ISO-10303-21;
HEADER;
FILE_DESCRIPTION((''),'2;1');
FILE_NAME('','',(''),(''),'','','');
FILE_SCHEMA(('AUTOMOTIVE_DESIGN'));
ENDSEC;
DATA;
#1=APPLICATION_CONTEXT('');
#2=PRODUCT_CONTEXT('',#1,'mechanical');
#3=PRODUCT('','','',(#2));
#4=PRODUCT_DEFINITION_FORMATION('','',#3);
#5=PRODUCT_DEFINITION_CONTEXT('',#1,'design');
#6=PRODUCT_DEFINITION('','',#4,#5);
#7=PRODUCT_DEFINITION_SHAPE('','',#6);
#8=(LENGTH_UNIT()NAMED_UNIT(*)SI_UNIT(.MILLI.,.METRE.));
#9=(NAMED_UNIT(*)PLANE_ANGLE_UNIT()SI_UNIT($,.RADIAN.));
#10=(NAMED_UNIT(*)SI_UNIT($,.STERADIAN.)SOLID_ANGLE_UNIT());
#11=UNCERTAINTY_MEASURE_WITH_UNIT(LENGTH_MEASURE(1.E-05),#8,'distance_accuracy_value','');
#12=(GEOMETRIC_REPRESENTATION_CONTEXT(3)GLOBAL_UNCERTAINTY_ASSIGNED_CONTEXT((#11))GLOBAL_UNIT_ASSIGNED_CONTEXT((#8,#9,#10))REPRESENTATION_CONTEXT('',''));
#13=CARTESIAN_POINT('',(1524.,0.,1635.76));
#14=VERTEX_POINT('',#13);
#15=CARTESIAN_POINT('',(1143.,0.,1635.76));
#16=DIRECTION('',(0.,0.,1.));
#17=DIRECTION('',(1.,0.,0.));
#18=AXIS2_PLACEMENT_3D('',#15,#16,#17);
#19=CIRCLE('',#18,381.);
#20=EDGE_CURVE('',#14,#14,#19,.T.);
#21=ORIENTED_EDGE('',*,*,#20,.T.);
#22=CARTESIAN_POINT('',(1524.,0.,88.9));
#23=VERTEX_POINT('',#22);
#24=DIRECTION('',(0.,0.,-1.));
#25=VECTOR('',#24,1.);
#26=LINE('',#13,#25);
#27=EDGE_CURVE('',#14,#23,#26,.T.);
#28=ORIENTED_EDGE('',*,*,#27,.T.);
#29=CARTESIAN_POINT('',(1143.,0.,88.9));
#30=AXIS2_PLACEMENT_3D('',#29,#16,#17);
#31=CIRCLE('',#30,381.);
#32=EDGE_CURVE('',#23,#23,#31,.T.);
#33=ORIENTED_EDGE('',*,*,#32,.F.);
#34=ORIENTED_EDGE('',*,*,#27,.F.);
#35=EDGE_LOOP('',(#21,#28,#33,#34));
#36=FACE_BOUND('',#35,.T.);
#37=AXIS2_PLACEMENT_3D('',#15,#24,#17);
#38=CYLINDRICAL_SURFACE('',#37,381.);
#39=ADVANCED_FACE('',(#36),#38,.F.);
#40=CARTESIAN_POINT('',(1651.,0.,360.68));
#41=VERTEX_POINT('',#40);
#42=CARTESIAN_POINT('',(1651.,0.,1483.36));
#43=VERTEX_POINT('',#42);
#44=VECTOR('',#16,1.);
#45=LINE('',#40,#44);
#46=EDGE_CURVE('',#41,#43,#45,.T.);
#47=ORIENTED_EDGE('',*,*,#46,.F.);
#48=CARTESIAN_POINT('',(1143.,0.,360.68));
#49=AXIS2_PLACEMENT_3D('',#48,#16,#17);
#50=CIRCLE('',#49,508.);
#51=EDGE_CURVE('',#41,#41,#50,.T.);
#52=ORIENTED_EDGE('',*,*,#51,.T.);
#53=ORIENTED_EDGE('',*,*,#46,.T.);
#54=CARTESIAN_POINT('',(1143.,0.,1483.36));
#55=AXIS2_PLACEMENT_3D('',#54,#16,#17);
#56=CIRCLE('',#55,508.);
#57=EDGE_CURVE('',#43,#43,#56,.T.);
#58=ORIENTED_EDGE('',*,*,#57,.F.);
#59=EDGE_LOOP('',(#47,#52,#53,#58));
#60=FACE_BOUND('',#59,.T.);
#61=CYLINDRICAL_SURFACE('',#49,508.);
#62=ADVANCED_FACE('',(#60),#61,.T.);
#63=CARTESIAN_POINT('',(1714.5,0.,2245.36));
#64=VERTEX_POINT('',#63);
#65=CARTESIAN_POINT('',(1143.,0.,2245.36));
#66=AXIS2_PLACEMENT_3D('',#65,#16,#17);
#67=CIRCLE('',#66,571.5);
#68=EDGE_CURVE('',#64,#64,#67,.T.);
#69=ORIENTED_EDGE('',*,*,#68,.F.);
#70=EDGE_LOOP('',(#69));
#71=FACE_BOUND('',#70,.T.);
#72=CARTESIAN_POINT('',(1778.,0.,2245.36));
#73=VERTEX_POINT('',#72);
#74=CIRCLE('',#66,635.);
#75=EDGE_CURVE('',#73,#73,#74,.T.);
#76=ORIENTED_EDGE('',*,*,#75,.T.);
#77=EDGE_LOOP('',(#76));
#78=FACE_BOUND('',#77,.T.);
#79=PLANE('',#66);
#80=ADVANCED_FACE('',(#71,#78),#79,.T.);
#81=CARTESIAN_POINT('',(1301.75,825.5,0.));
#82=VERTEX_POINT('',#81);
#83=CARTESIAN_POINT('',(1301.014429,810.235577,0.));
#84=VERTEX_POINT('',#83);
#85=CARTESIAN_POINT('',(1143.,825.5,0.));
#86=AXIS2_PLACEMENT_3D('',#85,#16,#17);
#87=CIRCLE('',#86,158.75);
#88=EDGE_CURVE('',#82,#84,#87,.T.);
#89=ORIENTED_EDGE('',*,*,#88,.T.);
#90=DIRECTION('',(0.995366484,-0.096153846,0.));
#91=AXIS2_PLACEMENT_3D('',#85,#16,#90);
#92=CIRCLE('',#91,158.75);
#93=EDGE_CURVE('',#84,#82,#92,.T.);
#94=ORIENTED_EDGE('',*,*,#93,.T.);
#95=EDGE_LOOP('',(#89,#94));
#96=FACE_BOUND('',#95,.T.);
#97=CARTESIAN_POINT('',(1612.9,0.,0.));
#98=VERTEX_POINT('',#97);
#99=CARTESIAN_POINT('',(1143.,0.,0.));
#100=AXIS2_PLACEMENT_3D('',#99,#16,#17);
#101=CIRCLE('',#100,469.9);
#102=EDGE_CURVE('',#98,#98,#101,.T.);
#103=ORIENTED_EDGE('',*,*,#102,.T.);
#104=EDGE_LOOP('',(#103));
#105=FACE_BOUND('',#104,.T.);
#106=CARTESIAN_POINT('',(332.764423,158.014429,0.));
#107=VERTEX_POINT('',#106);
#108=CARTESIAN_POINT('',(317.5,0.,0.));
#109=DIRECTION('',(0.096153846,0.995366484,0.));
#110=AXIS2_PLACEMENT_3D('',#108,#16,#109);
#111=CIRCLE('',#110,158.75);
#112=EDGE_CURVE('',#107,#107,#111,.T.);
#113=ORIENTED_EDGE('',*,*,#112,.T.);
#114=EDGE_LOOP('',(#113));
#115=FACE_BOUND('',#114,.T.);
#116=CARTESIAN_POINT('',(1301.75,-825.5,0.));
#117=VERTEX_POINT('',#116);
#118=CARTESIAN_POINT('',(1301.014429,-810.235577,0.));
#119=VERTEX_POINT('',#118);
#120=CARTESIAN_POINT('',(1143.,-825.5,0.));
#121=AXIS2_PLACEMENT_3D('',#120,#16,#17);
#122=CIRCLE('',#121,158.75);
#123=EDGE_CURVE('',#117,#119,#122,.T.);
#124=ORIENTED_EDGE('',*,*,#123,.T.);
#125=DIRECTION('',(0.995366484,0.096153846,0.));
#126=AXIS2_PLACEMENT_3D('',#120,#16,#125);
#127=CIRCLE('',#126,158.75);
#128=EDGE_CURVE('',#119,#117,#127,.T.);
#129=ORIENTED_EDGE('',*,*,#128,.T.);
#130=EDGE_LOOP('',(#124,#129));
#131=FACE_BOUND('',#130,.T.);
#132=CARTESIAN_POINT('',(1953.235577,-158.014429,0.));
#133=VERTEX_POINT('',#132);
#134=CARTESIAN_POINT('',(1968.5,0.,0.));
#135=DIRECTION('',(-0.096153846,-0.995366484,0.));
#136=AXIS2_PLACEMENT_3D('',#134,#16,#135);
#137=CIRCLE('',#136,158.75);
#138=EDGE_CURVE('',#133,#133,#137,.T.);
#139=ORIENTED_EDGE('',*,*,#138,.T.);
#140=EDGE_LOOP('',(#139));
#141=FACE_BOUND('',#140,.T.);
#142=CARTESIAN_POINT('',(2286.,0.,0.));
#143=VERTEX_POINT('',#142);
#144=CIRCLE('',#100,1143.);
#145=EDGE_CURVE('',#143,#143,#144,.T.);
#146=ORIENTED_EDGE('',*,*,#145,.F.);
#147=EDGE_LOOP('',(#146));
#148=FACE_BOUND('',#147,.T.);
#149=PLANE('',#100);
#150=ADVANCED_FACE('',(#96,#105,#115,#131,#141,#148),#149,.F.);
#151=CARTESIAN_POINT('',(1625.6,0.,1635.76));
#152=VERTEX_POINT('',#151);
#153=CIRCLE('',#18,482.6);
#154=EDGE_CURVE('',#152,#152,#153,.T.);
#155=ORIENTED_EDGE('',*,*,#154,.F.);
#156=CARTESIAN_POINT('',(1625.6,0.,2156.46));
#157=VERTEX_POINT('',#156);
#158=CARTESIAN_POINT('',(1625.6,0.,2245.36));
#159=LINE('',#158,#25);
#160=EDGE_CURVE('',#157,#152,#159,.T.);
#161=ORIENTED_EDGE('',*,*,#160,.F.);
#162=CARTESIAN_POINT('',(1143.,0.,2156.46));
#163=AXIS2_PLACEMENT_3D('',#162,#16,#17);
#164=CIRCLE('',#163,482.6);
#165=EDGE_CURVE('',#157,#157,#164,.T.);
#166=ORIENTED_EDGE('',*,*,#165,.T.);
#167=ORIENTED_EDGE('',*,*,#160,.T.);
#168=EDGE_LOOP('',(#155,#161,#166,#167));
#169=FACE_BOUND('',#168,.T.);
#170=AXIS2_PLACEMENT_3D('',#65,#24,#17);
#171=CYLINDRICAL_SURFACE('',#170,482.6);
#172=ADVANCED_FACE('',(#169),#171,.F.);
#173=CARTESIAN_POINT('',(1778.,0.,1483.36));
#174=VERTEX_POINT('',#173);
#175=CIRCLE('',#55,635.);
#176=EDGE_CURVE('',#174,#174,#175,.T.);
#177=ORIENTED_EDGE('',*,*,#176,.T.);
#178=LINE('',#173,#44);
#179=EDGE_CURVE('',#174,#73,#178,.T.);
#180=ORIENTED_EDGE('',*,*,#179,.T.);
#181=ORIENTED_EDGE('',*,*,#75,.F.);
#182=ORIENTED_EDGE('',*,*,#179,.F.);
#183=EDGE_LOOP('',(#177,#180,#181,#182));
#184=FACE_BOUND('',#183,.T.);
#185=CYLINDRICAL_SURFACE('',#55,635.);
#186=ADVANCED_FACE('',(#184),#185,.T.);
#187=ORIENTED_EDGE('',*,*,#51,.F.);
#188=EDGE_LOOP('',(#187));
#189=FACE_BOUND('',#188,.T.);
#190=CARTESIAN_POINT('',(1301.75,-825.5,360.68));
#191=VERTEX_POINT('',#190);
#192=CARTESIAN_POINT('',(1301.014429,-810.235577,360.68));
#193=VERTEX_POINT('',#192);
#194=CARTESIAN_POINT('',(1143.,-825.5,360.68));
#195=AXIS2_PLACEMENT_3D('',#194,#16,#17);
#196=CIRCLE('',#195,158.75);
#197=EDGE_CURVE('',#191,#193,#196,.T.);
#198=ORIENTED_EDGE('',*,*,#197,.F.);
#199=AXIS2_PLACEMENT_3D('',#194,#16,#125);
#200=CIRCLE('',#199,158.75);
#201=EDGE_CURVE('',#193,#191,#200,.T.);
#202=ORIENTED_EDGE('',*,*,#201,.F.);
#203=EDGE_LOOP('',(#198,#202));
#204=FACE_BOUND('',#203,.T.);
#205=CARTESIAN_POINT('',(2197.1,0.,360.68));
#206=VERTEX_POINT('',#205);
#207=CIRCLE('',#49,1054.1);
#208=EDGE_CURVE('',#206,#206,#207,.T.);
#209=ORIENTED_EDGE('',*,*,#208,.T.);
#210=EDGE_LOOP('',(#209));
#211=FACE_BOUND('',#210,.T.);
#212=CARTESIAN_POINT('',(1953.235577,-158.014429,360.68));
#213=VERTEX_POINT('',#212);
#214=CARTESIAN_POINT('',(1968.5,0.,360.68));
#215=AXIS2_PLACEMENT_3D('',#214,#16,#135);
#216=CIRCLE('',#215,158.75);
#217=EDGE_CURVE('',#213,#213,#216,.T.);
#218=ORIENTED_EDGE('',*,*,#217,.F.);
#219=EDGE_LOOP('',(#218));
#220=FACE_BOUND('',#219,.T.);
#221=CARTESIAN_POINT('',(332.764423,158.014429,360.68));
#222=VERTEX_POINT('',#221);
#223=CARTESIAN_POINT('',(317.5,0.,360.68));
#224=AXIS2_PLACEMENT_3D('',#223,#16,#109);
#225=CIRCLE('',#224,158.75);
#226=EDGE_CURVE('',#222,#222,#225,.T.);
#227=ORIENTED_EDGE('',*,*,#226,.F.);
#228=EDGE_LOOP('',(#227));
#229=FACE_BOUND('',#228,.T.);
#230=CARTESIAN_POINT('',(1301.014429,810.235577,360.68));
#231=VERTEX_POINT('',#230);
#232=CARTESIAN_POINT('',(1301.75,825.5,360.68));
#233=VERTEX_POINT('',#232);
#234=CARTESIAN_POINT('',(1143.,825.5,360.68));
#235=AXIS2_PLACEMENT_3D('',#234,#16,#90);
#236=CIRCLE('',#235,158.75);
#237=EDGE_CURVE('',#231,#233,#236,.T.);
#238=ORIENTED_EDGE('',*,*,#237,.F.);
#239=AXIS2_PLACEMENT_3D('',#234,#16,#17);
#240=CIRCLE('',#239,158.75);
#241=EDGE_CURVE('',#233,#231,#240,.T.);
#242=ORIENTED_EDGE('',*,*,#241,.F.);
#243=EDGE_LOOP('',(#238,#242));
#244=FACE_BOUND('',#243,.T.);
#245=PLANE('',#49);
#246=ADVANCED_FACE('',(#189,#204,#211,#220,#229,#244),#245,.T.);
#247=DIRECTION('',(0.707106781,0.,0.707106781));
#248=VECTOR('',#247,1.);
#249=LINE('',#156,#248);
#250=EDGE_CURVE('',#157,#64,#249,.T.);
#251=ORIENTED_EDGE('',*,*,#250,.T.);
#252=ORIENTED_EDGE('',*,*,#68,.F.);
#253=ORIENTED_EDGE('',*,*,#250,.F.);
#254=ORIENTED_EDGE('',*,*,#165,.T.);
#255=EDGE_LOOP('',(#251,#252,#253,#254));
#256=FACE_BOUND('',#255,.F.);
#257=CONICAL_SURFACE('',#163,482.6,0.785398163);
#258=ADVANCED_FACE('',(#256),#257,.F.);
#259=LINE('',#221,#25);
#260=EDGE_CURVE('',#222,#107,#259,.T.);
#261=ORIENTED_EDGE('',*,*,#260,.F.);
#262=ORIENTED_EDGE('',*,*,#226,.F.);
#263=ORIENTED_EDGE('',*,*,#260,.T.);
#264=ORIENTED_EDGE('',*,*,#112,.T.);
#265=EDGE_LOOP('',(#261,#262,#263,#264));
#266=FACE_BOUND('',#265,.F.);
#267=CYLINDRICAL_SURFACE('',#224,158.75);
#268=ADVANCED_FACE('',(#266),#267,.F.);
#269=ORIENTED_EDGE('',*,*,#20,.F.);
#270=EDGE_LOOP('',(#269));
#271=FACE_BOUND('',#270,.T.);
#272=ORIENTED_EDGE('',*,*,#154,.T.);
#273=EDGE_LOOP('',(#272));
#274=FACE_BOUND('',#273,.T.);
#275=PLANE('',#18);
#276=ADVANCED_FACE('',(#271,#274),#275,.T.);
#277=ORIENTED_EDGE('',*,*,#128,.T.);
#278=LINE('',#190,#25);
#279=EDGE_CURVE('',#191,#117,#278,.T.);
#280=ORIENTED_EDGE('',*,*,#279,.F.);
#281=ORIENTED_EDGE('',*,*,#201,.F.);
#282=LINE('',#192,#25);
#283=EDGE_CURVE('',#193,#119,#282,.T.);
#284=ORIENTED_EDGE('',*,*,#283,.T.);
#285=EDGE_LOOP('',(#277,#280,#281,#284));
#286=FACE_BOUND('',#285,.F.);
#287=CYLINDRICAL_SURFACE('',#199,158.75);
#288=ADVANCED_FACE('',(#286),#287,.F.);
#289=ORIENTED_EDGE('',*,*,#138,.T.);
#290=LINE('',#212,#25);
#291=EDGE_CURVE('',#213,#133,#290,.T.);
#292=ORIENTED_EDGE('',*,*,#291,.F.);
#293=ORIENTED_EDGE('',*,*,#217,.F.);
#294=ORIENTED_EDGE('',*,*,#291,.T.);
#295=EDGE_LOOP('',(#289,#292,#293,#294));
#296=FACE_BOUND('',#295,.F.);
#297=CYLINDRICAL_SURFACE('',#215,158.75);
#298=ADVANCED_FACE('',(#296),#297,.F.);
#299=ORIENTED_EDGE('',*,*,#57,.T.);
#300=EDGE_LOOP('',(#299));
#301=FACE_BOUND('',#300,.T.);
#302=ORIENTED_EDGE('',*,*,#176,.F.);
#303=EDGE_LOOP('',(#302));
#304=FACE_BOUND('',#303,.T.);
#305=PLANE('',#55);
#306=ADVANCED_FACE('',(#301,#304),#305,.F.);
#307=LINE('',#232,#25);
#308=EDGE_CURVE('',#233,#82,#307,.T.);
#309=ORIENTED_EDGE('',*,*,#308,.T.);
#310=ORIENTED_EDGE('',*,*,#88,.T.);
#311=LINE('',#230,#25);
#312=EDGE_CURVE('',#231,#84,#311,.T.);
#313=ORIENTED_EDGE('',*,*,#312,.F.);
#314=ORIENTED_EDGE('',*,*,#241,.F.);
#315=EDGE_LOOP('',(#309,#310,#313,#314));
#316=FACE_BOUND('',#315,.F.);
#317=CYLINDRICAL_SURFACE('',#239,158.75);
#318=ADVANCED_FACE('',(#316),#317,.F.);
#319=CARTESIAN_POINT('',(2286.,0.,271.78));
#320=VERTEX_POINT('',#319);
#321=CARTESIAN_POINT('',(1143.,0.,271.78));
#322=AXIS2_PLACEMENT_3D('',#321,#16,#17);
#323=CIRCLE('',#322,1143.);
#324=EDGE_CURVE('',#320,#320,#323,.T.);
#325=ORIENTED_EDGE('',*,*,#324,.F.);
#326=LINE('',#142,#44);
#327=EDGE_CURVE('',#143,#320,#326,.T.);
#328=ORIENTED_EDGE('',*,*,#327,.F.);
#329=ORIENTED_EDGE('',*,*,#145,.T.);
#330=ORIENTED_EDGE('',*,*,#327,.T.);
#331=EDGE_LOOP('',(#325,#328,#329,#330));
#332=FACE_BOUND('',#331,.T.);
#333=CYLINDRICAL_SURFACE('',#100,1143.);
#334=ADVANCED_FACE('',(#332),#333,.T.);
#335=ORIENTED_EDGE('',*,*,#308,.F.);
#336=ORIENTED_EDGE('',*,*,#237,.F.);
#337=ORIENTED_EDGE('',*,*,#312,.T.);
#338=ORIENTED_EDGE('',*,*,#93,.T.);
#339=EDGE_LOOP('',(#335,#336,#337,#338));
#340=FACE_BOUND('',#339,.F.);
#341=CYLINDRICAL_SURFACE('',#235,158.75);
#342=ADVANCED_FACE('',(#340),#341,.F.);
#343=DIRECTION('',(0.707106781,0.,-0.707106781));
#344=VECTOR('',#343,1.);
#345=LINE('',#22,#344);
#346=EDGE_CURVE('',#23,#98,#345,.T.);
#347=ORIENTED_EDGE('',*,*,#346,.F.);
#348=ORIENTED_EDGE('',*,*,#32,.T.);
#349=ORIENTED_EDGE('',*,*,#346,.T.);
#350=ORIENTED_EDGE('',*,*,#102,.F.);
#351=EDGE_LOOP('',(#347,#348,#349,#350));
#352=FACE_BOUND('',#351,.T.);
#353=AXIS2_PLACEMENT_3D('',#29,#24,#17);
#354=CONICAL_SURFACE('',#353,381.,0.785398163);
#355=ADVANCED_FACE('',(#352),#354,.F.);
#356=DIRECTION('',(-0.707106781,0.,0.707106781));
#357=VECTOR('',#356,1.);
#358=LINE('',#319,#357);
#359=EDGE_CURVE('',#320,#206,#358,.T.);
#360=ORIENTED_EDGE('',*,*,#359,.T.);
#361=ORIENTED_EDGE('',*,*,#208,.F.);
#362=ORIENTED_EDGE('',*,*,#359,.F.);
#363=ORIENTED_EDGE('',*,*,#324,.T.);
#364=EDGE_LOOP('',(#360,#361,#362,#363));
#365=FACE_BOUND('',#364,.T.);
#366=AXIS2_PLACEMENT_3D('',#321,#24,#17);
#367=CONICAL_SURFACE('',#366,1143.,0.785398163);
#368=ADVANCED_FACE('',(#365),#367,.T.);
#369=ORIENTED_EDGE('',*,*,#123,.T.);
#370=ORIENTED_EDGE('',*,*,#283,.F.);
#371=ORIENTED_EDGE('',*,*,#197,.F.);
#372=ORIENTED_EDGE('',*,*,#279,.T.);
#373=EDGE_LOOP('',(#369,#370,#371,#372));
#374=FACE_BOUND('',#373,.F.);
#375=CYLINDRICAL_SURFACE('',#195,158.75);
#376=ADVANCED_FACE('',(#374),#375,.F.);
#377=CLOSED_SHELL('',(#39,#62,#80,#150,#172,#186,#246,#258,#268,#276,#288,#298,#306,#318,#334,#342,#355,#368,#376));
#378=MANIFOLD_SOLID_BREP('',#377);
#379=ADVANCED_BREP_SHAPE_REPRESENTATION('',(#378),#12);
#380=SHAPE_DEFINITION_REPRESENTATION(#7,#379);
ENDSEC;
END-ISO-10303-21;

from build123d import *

# Parameters (mm, degrees)
F2_SIZE  = 88.9
F3_SIZE  = 88.9
F4_SIZE  = 88.9
F6_DEPTH = 360.681


with BuildPart() as f1:
    # F0 (on Front) → F1 (revolve)
    with BuildSketch(Plane.XZ):
        Polygon((1524, 1635.76), (1524, 0), (2286, 0), (2286, 360.68), (1651, 360.68), (1651, 1483.36), (1778, 1483.36), (1778, 2245.36), (1625.6, 2245.36), (1625.6, 1635.76), align=None)
    revolve(axis=Axis((1143, 0, 1563.8531446457), (0, 0, 1)))

    # F2
    f2_edges = [f1.edges().sort_by_distance(p)[0] for p in [
        (762, 0, 0),
    ]]
    chamfer(f2_edges, length=F2_SIZE)

    # F3
    f3_edges = [f1.edges().sort_by_distance(p)[0] for p in [
        (0, 0, 360.68),
    ]]
    chamfer(f3_edges, length=F3_SIZE)

    # F4
    f4_edges = [f1.edges().sort_by_distance(p)[0] for p in [
        (660.4, 0, 2245.36),
    ]]
    chamfer(f4_edges, length=F4_SIZE)

    # F5 (on face) → F6 (cut, through all)
    with BuildSketch(Plane.XY.offset(360.68)):
        with BuildLine():
            ThreePointArc((984.9855706331, 810.2355769231), (1143, 825.5), (1301.0144293669, 810.2355769231))
            ThreePointArc((1301.0144293668, 810.2355769231), (1301.5660007095, 817.8589320768), (1301.75, 825.5))
            ThreePointArc((1301.75, 825.5), (1135.3589320768, 984.0660007095), (984.9855706332, 810.2355769231))
        make_face()
        with BuildLine():
            ThreePointArc((984.9855706332, 810.2355769231), (1143, 666.75), (1301.0144293668, 810.2355769231))
            ThreePointArc((1301.0144293669, 810.2355769231), (1143, 825.5), (984.9855706331, 810.2355769231))
        make_face()
        with BuildLine():
            ThreePointArc((1953.2355769231, -158.0144293668), (1964.6750327076, -79.375), (1968.5, 0))
            ThreePointArc((1968.5, 0), (1964.6750327076, 79.375), (1953.2355769231, 158.0144293668))
            ThreePointArc((1953.2355769231, 158.0144293668), (1809.75, 0), (1953.2355769231, -158.0144293668))
        make_face()
        with BuildLine():
            ThreePointArc((1953.2355769231, 158.0144293668), (1964.6750327076, 79.375), (1968.5, 0))
            ThreePointArc((1968.5, 0), (1964.6750327076, -79.375), (1953.2355769231, -158.0144293668))
            ThreePointArc((1953.2355769231, -158.0144293668), (2075.2200434233, -117.5261453113), (2127.25, 0))
            ThreePointArc((2127.25, 0), (2075.2200434233, 117.5261453113), (1953.2355769231, 158.0144293668))
        make_face()
        with BuildLine():
            ThreePointArc((984.9855706331, -810.2355769231), (1143, -825.5), (1301.0144293669, -810.2355769231))
            ThreePointArc((1301.0144293668, -810.2355769231), (1143, -666.75), (984.9855706332, -810.2355769231))
        make_face()
        with BuildLine():
            ThreePointArc((1301.75, -825.5), (1301.5660007095, -817.8589320768), (1301.0144293668, -810.2355769231))
            ThreePointArc((1301.0144293669, -810.2355769231), (1143, -825.5), (984.9855706331, -810.2355769231))
            ThreePointArc((984.9855706332, -810.2355769231), (1135.3589320768, -984.0660007095), (1301.75, -825.5))
        make_face()
        with BuildLine():
            ThreePointArc((476.25, 0), (435.0261453113, 106.7200434233), (332.7644230769, 158.0144293668))
            ThreePointArc((332.7644230769, 158.0144293668), (317.5, 0), (332.7644230769, -158.0144293668))
            ThreePointArc((332.7644230769, -158.0144293668), (435.0261453113, -106.7200434233), (476.25, 0))
        make_face()
        with BuildLine():
            ThreePointArc((332.7644230769, -158.0144293668), (317.5, 0), (332.7644230769, 158.0144293668))
            ThreePointArc((332.7644230769, 158.0144293668), (158.75, 0), (332.7644230769, -158.0144293668))
        make_face()
    extrude(amount=-F6_DEPTH, mode=Mode.SUBTRACT)


solid = f1.part
